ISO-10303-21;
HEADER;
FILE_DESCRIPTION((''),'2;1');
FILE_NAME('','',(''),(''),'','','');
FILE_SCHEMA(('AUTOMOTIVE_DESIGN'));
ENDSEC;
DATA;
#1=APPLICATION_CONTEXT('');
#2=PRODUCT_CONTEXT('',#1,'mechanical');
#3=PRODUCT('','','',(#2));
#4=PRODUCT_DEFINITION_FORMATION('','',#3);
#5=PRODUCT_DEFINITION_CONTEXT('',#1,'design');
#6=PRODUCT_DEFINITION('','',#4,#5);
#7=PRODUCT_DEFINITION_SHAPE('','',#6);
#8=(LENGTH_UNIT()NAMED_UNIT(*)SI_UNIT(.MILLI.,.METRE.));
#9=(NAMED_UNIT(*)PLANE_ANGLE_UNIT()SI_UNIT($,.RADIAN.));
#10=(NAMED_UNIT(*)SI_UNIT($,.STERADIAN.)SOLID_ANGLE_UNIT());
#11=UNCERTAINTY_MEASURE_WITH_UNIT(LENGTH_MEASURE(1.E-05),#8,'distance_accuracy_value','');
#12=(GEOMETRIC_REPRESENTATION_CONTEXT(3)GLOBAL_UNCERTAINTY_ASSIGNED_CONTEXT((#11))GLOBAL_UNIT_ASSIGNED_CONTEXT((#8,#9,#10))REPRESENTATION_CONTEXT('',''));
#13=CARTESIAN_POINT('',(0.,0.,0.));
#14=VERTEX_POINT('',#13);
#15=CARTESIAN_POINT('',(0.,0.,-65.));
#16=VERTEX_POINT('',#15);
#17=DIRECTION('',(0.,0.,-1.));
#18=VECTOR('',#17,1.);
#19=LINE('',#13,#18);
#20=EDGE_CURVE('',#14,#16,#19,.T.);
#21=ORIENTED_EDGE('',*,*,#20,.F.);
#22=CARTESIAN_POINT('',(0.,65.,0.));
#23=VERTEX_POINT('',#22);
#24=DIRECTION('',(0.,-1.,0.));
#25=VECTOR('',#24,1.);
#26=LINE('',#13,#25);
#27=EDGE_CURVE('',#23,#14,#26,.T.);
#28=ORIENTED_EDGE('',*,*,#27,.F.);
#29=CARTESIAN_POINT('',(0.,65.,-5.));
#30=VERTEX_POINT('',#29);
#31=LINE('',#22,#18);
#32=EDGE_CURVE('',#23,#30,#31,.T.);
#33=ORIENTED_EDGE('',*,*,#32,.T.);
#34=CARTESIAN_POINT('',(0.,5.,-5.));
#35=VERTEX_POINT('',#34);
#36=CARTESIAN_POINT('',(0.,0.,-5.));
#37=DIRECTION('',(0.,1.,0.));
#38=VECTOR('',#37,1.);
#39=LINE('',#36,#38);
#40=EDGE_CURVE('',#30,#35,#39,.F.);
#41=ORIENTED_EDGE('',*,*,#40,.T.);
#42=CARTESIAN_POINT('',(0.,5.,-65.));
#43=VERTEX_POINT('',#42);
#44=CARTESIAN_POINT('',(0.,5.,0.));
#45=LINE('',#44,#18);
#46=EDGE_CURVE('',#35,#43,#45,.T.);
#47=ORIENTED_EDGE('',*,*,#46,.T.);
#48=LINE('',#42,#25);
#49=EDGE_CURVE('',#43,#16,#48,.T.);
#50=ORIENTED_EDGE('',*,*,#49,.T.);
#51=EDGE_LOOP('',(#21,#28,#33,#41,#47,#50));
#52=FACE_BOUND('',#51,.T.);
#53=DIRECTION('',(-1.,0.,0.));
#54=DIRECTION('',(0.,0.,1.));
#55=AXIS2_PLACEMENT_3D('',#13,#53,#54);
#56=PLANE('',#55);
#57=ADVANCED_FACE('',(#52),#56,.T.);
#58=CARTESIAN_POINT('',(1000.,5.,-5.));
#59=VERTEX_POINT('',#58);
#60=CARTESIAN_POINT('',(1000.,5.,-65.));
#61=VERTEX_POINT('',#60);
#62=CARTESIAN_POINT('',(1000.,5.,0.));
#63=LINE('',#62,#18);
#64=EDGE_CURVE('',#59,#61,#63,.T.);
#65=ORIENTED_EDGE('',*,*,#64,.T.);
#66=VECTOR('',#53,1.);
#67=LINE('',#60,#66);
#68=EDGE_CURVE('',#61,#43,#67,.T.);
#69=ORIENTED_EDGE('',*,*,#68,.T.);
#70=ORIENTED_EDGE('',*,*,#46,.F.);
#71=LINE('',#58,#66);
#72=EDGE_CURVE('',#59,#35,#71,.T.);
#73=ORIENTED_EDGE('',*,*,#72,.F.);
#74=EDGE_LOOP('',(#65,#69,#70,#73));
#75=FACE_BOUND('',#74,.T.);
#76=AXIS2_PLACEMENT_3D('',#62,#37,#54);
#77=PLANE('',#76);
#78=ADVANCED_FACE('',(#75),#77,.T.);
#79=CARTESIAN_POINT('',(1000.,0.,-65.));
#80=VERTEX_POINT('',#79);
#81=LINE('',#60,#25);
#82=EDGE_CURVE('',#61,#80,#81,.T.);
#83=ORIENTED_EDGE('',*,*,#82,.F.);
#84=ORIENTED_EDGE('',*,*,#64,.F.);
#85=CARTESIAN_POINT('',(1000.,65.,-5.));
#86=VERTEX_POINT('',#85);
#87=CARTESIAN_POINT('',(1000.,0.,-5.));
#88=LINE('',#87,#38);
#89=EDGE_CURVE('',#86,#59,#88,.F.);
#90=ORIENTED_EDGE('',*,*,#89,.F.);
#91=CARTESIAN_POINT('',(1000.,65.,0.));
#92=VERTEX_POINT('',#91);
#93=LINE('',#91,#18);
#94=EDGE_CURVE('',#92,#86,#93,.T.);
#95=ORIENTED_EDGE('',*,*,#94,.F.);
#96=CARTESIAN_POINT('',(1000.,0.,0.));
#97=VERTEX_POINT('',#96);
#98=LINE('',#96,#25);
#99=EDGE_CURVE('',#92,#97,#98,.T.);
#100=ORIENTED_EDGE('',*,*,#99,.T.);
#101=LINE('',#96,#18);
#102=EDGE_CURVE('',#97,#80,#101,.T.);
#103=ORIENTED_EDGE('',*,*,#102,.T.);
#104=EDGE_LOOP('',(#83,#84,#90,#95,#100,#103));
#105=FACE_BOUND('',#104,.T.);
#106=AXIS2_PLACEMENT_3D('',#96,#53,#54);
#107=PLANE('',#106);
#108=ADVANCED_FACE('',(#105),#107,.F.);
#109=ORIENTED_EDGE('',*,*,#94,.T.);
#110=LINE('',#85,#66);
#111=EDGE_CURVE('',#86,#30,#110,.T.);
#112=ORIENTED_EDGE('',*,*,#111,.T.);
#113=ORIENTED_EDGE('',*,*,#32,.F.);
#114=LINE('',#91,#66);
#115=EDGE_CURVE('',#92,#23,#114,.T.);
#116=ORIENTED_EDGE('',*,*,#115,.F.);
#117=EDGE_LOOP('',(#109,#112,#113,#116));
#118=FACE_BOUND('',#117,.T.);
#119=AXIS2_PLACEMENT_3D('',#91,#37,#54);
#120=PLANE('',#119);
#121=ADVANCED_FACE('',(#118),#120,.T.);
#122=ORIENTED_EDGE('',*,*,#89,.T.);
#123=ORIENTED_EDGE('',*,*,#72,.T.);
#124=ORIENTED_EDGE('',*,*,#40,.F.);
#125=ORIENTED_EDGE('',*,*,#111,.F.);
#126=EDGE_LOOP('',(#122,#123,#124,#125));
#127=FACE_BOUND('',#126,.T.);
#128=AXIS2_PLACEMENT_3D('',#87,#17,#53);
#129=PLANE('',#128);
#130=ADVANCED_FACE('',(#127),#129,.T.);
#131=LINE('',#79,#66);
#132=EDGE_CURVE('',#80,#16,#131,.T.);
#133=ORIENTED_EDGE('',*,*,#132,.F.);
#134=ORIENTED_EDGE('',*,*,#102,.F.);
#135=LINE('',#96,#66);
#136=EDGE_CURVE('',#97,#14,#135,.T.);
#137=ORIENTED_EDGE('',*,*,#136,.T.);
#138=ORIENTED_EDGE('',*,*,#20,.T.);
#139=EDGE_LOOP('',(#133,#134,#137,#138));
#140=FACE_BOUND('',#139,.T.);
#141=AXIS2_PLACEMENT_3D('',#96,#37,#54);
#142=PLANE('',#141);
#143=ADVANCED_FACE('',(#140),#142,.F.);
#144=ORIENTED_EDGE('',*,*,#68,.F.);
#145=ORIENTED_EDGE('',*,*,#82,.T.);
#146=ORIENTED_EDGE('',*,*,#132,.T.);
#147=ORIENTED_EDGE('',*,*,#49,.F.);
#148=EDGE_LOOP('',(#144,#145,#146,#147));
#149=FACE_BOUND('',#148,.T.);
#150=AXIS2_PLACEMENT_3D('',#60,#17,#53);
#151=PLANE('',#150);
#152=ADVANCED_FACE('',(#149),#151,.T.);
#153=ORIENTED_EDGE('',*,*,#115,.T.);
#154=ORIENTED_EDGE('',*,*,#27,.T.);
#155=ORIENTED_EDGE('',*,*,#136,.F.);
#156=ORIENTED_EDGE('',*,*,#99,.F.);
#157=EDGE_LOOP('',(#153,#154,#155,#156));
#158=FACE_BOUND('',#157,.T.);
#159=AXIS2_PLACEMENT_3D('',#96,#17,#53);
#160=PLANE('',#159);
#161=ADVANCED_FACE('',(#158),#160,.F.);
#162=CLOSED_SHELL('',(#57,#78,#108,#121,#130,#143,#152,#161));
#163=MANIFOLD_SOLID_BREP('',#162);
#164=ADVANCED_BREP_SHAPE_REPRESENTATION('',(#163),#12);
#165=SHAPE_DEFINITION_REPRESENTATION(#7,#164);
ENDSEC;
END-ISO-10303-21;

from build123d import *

# Parameters (mm, degrees)
EXTRUDE_1_DEPTH = 1000


with BuildPart() as part:
    # Эскиз1 → Вытянуть-Тонкостенный1 (new body)
    with BuildSketch(Plane(origin=(0, 0, 0), x_dir=(0, 0, -1), z_dir=(1, 0, 0))):
        Polygon((65, 0), (0, 0), (0, 65), (5, 65), (5, 5), (65, 5), align=None)
    extrude(amount=EXTRUDE_1_DEPTH)


solid = part.part
